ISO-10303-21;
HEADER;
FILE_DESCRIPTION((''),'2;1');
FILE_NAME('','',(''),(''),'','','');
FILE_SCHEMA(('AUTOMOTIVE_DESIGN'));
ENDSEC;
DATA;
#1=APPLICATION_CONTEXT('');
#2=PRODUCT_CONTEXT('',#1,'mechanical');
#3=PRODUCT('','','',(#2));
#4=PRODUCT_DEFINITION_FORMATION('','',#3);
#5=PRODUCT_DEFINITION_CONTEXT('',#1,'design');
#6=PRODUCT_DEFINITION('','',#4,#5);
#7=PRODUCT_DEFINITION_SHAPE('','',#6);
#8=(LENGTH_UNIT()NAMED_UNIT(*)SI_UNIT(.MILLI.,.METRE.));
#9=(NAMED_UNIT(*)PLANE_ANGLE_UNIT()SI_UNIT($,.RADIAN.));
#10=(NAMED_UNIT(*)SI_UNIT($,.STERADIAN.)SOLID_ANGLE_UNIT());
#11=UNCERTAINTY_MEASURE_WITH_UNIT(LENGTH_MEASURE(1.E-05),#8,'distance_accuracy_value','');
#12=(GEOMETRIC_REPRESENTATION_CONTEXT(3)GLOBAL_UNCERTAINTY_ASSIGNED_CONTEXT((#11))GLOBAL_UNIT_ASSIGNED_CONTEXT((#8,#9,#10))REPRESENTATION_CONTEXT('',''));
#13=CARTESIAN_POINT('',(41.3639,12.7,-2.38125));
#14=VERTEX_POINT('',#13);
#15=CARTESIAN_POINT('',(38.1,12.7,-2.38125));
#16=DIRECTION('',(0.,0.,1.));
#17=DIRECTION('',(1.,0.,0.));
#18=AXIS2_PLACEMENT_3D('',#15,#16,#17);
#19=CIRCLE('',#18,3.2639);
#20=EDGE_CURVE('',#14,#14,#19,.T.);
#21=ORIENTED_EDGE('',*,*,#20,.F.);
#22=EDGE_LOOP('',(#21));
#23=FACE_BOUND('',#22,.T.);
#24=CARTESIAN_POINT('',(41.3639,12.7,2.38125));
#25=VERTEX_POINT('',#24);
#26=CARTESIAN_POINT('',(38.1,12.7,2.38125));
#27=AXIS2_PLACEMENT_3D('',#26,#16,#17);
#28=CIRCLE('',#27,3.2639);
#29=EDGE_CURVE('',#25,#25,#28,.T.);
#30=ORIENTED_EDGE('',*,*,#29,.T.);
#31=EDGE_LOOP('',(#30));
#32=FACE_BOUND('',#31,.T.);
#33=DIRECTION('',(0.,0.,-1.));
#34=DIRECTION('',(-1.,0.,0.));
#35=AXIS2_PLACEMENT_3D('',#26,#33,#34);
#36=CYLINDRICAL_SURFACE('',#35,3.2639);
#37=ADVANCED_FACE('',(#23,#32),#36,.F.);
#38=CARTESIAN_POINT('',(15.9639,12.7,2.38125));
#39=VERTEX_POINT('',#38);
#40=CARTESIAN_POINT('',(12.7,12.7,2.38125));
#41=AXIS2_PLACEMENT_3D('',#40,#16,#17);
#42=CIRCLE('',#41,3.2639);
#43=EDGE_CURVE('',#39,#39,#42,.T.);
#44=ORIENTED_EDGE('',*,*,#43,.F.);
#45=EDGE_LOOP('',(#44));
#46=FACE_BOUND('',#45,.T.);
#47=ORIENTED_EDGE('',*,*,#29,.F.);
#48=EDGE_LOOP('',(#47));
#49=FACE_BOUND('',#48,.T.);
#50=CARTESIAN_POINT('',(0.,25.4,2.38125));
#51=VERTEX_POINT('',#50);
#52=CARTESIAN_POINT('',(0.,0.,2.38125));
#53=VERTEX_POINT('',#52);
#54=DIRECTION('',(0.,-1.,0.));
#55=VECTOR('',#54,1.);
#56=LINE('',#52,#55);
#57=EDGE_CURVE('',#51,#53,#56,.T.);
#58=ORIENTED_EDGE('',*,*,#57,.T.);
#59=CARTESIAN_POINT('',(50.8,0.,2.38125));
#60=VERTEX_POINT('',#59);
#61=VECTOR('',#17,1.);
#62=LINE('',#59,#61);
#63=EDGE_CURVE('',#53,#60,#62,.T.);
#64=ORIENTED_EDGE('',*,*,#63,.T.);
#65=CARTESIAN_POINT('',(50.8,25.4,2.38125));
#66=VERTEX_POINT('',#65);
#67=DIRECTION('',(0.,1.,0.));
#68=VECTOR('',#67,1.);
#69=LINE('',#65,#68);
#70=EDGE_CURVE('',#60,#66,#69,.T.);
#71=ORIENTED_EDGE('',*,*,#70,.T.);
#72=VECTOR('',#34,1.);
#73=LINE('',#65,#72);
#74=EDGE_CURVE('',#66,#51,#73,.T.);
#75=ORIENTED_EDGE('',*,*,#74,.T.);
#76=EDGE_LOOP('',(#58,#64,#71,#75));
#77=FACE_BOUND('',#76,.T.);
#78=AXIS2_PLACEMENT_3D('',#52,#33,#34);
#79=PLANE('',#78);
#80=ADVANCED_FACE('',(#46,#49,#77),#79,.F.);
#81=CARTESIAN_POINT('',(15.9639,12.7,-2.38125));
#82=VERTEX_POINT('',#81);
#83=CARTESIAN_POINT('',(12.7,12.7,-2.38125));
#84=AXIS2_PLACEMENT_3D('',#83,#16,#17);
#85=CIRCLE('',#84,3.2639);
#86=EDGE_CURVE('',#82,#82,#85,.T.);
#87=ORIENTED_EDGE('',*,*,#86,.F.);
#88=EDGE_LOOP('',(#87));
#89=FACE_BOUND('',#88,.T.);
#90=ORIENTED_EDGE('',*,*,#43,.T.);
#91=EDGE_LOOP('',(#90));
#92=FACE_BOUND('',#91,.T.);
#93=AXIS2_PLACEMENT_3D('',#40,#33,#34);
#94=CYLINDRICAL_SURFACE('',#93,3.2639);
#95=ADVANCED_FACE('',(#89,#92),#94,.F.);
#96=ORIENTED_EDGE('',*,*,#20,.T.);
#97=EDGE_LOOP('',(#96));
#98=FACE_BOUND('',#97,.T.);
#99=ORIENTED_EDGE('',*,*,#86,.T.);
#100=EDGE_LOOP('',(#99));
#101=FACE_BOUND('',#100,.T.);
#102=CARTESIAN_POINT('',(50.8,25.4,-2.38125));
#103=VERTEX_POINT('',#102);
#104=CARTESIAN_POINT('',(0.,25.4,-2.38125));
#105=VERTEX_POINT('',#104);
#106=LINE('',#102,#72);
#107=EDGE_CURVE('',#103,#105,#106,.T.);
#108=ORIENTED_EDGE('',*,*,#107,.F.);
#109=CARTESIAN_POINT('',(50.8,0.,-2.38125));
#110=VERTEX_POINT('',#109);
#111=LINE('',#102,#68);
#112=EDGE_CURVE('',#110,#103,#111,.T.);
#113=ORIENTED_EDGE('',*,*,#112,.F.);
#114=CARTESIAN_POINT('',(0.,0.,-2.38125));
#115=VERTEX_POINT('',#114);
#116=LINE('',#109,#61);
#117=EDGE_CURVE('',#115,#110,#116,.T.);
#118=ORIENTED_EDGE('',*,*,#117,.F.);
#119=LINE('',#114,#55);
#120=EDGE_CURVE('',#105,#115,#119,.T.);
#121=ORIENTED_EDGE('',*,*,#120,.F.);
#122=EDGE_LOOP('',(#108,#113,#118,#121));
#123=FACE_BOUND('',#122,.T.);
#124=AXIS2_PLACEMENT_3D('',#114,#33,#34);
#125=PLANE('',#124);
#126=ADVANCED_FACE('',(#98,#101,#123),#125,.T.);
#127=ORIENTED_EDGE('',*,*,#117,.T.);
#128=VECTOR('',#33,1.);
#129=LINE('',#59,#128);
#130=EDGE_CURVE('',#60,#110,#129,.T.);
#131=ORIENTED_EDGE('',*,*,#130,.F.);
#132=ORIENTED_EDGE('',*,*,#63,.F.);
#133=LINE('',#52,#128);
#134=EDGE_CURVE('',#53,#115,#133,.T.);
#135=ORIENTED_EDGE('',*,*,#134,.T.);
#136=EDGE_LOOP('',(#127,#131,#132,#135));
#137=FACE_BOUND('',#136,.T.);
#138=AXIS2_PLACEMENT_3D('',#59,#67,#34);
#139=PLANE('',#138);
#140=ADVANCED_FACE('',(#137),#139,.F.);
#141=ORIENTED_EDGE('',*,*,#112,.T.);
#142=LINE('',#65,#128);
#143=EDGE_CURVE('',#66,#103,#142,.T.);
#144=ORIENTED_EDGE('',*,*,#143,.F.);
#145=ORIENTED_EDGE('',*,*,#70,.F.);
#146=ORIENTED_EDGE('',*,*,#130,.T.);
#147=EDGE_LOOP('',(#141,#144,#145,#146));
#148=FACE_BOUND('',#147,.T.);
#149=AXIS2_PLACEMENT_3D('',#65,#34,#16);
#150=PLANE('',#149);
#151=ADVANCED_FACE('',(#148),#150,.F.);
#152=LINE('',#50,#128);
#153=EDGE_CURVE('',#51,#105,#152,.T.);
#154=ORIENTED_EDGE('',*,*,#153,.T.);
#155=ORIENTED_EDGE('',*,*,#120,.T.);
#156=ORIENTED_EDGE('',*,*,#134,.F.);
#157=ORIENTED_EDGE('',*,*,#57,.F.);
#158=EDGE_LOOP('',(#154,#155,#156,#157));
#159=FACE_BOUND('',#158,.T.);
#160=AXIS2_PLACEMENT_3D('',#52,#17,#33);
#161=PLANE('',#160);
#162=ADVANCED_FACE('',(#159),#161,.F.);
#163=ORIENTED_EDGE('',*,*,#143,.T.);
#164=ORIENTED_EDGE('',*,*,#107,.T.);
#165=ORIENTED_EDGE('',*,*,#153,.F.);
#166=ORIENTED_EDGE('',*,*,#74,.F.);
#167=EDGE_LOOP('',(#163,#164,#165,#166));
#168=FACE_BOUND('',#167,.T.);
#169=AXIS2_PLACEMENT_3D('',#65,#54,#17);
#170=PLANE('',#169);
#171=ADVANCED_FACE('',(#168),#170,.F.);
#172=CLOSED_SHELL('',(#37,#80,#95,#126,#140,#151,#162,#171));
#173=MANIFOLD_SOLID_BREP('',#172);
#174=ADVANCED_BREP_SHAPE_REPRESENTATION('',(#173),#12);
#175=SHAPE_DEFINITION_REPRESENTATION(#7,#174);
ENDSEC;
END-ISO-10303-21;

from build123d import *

# Parameters (mm, degrees)
SKETCH1_W           = 50.8
SKETCH1_H           = 25.4
SKETCH1_R           = 3.2639
BOSS_EXTRUDE1_DEPTH = 2.38125


with BuildPart() as part:
    # Sketch1 → Boss-Extrude1 (new body, symmetric)
    with BuildSketch(Plane.XY):
        with Locations((25.4, 12.7)):
            Rectangle(SKETCH1_W, SKETCH1_H)
        with Locations((12.7, 12.7)):
            Circle(SKETCH1_R, mode=Mode.SUBTRACT)
        with Locations((38.1, 12.7)):
            Circle(SKETCH1_R, mode=Mode.SUBTRACT)
    extrude(amount=BOSS_EXTRUDE1_DEPTH, both=True)


solid = part.part
